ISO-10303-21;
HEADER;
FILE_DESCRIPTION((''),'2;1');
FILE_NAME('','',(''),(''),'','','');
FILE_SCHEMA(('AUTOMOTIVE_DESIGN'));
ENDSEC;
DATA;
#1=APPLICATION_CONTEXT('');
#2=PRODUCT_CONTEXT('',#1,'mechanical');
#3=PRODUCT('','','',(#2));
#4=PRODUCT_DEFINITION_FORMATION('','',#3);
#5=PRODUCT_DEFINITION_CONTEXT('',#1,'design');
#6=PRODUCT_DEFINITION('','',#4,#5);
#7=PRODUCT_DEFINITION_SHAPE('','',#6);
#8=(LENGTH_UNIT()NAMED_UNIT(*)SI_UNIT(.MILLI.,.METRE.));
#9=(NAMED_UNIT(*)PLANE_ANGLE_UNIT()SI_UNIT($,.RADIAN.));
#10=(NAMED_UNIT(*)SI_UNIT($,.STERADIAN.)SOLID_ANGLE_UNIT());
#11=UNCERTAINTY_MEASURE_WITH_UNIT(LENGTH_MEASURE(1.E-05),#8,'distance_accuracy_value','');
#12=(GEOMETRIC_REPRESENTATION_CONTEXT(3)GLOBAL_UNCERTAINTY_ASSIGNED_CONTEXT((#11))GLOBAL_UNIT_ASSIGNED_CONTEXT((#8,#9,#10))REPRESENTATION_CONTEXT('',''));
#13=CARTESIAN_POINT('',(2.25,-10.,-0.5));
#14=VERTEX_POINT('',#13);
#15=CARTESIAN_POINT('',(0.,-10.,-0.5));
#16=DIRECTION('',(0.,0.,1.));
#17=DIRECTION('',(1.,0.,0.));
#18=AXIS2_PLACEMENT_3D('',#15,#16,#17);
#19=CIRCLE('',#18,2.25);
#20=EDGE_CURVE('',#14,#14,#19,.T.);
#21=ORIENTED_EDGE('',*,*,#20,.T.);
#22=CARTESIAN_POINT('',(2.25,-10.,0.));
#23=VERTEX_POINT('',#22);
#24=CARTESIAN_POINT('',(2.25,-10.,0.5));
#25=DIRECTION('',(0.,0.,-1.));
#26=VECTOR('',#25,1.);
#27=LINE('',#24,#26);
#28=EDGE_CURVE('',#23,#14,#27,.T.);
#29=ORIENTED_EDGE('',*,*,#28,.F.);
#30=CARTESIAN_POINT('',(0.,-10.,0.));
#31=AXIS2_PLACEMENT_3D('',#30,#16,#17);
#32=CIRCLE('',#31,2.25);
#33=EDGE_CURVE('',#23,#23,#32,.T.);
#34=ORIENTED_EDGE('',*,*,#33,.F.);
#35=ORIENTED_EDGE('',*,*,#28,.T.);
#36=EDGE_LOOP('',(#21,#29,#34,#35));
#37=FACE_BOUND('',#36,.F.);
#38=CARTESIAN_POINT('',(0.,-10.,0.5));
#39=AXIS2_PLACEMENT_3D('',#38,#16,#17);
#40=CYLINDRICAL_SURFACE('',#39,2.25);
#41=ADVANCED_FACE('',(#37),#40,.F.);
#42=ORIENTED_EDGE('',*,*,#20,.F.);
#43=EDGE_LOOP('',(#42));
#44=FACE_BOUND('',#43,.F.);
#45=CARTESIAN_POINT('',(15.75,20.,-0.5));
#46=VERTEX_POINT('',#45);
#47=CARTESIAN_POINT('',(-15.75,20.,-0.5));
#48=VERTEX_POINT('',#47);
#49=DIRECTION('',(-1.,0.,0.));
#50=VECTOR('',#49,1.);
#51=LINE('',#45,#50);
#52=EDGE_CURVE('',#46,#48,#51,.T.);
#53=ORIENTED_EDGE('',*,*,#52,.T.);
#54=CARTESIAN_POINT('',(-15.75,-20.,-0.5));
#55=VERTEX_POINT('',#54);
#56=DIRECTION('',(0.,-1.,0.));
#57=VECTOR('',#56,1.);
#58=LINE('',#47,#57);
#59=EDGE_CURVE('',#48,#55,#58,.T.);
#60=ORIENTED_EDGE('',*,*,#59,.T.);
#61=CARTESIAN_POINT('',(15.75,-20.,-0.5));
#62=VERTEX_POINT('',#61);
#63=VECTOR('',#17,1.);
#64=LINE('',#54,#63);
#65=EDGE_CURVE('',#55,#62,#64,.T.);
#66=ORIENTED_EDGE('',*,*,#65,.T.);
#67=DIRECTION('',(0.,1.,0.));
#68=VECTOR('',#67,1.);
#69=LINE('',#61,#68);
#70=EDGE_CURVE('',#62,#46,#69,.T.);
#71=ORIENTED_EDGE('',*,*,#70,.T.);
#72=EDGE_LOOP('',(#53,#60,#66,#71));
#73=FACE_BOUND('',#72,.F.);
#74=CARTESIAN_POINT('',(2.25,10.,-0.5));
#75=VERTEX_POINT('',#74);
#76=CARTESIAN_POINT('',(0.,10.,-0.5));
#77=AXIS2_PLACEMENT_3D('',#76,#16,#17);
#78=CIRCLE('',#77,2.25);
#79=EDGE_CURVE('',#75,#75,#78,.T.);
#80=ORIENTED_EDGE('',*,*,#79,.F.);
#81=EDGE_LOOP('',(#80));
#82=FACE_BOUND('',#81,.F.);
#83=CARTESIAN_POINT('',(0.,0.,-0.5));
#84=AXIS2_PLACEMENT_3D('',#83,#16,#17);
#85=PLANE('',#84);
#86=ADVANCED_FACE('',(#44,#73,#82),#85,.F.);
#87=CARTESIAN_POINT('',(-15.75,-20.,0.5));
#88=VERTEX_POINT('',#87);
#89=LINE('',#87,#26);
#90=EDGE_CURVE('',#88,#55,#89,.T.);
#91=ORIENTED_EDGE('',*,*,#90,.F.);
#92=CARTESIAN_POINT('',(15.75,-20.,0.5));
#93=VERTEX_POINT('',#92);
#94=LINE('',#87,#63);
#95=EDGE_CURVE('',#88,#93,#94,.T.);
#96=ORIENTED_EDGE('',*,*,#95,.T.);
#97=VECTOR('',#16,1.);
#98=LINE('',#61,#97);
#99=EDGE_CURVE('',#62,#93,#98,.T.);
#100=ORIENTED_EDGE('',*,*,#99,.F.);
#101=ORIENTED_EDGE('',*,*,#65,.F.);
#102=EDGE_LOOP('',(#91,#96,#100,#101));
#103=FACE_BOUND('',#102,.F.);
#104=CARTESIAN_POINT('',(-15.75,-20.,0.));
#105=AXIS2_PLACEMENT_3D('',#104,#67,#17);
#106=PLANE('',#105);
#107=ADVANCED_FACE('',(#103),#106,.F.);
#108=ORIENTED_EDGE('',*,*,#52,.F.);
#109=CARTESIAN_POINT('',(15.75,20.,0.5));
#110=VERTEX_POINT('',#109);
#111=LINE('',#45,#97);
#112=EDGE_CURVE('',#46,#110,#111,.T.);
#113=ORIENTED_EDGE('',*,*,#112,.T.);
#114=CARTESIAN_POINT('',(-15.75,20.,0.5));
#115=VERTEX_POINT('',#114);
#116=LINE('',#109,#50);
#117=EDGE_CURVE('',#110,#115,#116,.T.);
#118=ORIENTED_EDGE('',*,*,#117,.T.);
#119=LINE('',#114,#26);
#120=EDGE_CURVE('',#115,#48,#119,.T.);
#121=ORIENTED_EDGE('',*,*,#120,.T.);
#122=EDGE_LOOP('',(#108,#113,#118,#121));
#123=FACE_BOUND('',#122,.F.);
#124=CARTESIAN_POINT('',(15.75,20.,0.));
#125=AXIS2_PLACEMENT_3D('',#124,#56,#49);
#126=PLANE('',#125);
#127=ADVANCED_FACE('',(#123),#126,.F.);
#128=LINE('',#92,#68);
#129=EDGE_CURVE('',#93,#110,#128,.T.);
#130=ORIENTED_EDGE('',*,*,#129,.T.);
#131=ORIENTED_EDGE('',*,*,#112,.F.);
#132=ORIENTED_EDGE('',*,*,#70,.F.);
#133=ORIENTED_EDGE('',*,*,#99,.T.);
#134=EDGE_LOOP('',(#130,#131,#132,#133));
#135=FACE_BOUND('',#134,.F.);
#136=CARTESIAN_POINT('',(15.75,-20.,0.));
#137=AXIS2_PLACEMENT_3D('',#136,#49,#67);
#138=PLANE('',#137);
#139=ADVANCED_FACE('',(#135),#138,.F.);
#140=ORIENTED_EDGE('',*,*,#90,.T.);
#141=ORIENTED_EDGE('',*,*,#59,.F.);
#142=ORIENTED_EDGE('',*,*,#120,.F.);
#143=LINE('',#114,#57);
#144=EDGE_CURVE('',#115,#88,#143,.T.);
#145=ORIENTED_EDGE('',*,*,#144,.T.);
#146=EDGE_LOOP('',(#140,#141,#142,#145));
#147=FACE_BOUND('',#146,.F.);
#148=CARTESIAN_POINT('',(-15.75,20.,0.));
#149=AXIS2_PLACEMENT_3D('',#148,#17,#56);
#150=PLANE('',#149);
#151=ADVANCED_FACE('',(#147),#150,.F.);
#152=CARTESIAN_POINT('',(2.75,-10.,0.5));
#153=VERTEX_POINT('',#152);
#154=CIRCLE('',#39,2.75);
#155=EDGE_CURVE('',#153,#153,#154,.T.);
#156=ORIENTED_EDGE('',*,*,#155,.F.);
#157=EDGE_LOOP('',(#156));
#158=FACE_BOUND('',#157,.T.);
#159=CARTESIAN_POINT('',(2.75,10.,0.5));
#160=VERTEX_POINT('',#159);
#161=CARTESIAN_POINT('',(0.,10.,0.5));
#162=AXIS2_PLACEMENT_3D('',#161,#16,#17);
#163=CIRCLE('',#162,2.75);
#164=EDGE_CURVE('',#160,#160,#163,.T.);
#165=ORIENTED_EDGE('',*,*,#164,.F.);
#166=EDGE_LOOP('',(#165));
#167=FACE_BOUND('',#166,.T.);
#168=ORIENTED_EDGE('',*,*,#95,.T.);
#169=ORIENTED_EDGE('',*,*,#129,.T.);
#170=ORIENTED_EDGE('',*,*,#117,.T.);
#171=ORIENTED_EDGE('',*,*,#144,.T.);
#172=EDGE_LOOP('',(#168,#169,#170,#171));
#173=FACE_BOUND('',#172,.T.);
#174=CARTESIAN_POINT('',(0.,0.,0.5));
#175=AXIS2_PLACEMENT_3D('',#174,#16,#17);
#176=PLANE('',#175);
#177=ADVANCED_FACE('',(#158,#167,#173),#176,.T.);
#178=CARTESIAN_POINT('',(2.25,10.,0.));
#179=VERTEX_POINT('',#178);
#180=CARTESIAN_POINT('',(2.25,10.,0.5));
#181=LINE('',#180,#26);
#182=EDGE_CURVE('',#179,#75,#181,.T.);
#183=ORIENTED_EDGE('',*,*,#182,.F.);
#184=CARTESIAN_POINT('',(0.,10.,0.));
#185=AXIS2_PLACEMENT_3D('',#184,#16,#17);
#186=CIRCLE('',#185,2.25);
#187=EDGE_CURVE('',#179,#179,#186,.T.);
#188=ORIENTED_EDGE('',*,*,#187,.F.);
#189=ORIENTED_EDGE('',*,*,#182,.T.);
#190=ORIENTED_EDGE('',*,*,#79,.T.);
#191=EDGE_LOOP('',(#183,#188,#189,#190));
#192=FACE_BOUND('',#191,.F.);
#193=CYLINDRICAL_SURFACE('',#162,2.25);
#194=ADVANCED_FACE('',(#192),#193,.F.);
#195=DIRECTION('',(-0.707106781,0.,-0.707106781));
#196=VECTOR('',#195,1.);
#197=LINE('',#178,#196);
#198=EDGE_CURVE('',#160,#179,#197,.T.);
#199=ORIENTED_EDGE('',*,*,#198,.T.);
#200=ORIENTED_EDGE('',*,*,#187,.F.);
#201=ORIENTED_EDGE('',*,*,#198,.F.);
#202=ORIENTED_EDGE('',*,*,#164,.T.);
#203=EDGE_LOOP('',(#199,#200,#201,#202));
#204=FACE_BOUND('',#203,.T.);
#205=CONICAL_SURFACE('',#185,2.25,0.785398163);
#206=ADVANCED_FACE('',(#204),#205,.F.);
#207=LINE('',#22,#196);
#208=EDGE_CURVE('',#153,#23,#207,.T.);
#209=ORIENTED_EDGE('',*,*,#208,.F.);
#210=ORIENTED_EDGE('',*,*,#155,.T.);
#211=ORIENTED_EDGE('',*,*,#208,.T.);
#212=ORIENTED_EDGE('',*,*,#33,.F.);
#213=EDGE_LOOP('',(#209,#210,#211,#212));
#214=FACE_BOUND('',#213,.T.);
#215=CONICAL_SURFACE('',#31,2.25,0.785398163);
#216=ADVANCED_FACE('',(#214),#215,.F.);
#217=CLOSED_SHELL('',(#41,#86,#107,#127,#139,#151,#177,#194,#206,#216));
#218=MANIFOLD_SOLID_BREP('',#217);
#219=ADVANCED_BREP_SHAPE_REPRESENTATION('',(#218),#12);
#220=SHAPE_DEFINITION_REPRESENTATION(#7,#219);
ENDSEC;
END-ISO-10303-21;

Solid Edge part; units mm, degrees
sketch "Sketch1" plane through (0, 0, 0) normal (0, 0, 1) x (1, 0, 0)
  line L0 (-15.75, -20) -> (15.75, -20)
  line L1 (15.75, -20) -> (15.75, 20)
  line L2 (15.75, 20) -> (-15.75, 20)
  line L3 (-15.75, 20) -> (-15.75, -20)
  dimension "D1" = 31.5
  dimension "D2" = 40
extrude "Protrusion1" add sketch "Sketch1" along normal mid plane 1
sketch "Sketch2" plane through (0, 0, 0.5) normal (0, 0, 1) x (1, 0, 0)
  circle A0 centre (0, 10) radius 2.25
  circle A1 centre (0, -10) radius 2.25
  dimension "D1" = 10
  dimension "D2" = 20
  dimension "D3" = 4.5
extrude "Cutout1" cut sketch "Sketch2" against normal through all
chamfer "Chamfer_1" distance 0.5 angle 45 2 edges at (-2.25, 10, 0.5) (-2.25, -10, 0.5)
properties material "Polyethylene, low density"
